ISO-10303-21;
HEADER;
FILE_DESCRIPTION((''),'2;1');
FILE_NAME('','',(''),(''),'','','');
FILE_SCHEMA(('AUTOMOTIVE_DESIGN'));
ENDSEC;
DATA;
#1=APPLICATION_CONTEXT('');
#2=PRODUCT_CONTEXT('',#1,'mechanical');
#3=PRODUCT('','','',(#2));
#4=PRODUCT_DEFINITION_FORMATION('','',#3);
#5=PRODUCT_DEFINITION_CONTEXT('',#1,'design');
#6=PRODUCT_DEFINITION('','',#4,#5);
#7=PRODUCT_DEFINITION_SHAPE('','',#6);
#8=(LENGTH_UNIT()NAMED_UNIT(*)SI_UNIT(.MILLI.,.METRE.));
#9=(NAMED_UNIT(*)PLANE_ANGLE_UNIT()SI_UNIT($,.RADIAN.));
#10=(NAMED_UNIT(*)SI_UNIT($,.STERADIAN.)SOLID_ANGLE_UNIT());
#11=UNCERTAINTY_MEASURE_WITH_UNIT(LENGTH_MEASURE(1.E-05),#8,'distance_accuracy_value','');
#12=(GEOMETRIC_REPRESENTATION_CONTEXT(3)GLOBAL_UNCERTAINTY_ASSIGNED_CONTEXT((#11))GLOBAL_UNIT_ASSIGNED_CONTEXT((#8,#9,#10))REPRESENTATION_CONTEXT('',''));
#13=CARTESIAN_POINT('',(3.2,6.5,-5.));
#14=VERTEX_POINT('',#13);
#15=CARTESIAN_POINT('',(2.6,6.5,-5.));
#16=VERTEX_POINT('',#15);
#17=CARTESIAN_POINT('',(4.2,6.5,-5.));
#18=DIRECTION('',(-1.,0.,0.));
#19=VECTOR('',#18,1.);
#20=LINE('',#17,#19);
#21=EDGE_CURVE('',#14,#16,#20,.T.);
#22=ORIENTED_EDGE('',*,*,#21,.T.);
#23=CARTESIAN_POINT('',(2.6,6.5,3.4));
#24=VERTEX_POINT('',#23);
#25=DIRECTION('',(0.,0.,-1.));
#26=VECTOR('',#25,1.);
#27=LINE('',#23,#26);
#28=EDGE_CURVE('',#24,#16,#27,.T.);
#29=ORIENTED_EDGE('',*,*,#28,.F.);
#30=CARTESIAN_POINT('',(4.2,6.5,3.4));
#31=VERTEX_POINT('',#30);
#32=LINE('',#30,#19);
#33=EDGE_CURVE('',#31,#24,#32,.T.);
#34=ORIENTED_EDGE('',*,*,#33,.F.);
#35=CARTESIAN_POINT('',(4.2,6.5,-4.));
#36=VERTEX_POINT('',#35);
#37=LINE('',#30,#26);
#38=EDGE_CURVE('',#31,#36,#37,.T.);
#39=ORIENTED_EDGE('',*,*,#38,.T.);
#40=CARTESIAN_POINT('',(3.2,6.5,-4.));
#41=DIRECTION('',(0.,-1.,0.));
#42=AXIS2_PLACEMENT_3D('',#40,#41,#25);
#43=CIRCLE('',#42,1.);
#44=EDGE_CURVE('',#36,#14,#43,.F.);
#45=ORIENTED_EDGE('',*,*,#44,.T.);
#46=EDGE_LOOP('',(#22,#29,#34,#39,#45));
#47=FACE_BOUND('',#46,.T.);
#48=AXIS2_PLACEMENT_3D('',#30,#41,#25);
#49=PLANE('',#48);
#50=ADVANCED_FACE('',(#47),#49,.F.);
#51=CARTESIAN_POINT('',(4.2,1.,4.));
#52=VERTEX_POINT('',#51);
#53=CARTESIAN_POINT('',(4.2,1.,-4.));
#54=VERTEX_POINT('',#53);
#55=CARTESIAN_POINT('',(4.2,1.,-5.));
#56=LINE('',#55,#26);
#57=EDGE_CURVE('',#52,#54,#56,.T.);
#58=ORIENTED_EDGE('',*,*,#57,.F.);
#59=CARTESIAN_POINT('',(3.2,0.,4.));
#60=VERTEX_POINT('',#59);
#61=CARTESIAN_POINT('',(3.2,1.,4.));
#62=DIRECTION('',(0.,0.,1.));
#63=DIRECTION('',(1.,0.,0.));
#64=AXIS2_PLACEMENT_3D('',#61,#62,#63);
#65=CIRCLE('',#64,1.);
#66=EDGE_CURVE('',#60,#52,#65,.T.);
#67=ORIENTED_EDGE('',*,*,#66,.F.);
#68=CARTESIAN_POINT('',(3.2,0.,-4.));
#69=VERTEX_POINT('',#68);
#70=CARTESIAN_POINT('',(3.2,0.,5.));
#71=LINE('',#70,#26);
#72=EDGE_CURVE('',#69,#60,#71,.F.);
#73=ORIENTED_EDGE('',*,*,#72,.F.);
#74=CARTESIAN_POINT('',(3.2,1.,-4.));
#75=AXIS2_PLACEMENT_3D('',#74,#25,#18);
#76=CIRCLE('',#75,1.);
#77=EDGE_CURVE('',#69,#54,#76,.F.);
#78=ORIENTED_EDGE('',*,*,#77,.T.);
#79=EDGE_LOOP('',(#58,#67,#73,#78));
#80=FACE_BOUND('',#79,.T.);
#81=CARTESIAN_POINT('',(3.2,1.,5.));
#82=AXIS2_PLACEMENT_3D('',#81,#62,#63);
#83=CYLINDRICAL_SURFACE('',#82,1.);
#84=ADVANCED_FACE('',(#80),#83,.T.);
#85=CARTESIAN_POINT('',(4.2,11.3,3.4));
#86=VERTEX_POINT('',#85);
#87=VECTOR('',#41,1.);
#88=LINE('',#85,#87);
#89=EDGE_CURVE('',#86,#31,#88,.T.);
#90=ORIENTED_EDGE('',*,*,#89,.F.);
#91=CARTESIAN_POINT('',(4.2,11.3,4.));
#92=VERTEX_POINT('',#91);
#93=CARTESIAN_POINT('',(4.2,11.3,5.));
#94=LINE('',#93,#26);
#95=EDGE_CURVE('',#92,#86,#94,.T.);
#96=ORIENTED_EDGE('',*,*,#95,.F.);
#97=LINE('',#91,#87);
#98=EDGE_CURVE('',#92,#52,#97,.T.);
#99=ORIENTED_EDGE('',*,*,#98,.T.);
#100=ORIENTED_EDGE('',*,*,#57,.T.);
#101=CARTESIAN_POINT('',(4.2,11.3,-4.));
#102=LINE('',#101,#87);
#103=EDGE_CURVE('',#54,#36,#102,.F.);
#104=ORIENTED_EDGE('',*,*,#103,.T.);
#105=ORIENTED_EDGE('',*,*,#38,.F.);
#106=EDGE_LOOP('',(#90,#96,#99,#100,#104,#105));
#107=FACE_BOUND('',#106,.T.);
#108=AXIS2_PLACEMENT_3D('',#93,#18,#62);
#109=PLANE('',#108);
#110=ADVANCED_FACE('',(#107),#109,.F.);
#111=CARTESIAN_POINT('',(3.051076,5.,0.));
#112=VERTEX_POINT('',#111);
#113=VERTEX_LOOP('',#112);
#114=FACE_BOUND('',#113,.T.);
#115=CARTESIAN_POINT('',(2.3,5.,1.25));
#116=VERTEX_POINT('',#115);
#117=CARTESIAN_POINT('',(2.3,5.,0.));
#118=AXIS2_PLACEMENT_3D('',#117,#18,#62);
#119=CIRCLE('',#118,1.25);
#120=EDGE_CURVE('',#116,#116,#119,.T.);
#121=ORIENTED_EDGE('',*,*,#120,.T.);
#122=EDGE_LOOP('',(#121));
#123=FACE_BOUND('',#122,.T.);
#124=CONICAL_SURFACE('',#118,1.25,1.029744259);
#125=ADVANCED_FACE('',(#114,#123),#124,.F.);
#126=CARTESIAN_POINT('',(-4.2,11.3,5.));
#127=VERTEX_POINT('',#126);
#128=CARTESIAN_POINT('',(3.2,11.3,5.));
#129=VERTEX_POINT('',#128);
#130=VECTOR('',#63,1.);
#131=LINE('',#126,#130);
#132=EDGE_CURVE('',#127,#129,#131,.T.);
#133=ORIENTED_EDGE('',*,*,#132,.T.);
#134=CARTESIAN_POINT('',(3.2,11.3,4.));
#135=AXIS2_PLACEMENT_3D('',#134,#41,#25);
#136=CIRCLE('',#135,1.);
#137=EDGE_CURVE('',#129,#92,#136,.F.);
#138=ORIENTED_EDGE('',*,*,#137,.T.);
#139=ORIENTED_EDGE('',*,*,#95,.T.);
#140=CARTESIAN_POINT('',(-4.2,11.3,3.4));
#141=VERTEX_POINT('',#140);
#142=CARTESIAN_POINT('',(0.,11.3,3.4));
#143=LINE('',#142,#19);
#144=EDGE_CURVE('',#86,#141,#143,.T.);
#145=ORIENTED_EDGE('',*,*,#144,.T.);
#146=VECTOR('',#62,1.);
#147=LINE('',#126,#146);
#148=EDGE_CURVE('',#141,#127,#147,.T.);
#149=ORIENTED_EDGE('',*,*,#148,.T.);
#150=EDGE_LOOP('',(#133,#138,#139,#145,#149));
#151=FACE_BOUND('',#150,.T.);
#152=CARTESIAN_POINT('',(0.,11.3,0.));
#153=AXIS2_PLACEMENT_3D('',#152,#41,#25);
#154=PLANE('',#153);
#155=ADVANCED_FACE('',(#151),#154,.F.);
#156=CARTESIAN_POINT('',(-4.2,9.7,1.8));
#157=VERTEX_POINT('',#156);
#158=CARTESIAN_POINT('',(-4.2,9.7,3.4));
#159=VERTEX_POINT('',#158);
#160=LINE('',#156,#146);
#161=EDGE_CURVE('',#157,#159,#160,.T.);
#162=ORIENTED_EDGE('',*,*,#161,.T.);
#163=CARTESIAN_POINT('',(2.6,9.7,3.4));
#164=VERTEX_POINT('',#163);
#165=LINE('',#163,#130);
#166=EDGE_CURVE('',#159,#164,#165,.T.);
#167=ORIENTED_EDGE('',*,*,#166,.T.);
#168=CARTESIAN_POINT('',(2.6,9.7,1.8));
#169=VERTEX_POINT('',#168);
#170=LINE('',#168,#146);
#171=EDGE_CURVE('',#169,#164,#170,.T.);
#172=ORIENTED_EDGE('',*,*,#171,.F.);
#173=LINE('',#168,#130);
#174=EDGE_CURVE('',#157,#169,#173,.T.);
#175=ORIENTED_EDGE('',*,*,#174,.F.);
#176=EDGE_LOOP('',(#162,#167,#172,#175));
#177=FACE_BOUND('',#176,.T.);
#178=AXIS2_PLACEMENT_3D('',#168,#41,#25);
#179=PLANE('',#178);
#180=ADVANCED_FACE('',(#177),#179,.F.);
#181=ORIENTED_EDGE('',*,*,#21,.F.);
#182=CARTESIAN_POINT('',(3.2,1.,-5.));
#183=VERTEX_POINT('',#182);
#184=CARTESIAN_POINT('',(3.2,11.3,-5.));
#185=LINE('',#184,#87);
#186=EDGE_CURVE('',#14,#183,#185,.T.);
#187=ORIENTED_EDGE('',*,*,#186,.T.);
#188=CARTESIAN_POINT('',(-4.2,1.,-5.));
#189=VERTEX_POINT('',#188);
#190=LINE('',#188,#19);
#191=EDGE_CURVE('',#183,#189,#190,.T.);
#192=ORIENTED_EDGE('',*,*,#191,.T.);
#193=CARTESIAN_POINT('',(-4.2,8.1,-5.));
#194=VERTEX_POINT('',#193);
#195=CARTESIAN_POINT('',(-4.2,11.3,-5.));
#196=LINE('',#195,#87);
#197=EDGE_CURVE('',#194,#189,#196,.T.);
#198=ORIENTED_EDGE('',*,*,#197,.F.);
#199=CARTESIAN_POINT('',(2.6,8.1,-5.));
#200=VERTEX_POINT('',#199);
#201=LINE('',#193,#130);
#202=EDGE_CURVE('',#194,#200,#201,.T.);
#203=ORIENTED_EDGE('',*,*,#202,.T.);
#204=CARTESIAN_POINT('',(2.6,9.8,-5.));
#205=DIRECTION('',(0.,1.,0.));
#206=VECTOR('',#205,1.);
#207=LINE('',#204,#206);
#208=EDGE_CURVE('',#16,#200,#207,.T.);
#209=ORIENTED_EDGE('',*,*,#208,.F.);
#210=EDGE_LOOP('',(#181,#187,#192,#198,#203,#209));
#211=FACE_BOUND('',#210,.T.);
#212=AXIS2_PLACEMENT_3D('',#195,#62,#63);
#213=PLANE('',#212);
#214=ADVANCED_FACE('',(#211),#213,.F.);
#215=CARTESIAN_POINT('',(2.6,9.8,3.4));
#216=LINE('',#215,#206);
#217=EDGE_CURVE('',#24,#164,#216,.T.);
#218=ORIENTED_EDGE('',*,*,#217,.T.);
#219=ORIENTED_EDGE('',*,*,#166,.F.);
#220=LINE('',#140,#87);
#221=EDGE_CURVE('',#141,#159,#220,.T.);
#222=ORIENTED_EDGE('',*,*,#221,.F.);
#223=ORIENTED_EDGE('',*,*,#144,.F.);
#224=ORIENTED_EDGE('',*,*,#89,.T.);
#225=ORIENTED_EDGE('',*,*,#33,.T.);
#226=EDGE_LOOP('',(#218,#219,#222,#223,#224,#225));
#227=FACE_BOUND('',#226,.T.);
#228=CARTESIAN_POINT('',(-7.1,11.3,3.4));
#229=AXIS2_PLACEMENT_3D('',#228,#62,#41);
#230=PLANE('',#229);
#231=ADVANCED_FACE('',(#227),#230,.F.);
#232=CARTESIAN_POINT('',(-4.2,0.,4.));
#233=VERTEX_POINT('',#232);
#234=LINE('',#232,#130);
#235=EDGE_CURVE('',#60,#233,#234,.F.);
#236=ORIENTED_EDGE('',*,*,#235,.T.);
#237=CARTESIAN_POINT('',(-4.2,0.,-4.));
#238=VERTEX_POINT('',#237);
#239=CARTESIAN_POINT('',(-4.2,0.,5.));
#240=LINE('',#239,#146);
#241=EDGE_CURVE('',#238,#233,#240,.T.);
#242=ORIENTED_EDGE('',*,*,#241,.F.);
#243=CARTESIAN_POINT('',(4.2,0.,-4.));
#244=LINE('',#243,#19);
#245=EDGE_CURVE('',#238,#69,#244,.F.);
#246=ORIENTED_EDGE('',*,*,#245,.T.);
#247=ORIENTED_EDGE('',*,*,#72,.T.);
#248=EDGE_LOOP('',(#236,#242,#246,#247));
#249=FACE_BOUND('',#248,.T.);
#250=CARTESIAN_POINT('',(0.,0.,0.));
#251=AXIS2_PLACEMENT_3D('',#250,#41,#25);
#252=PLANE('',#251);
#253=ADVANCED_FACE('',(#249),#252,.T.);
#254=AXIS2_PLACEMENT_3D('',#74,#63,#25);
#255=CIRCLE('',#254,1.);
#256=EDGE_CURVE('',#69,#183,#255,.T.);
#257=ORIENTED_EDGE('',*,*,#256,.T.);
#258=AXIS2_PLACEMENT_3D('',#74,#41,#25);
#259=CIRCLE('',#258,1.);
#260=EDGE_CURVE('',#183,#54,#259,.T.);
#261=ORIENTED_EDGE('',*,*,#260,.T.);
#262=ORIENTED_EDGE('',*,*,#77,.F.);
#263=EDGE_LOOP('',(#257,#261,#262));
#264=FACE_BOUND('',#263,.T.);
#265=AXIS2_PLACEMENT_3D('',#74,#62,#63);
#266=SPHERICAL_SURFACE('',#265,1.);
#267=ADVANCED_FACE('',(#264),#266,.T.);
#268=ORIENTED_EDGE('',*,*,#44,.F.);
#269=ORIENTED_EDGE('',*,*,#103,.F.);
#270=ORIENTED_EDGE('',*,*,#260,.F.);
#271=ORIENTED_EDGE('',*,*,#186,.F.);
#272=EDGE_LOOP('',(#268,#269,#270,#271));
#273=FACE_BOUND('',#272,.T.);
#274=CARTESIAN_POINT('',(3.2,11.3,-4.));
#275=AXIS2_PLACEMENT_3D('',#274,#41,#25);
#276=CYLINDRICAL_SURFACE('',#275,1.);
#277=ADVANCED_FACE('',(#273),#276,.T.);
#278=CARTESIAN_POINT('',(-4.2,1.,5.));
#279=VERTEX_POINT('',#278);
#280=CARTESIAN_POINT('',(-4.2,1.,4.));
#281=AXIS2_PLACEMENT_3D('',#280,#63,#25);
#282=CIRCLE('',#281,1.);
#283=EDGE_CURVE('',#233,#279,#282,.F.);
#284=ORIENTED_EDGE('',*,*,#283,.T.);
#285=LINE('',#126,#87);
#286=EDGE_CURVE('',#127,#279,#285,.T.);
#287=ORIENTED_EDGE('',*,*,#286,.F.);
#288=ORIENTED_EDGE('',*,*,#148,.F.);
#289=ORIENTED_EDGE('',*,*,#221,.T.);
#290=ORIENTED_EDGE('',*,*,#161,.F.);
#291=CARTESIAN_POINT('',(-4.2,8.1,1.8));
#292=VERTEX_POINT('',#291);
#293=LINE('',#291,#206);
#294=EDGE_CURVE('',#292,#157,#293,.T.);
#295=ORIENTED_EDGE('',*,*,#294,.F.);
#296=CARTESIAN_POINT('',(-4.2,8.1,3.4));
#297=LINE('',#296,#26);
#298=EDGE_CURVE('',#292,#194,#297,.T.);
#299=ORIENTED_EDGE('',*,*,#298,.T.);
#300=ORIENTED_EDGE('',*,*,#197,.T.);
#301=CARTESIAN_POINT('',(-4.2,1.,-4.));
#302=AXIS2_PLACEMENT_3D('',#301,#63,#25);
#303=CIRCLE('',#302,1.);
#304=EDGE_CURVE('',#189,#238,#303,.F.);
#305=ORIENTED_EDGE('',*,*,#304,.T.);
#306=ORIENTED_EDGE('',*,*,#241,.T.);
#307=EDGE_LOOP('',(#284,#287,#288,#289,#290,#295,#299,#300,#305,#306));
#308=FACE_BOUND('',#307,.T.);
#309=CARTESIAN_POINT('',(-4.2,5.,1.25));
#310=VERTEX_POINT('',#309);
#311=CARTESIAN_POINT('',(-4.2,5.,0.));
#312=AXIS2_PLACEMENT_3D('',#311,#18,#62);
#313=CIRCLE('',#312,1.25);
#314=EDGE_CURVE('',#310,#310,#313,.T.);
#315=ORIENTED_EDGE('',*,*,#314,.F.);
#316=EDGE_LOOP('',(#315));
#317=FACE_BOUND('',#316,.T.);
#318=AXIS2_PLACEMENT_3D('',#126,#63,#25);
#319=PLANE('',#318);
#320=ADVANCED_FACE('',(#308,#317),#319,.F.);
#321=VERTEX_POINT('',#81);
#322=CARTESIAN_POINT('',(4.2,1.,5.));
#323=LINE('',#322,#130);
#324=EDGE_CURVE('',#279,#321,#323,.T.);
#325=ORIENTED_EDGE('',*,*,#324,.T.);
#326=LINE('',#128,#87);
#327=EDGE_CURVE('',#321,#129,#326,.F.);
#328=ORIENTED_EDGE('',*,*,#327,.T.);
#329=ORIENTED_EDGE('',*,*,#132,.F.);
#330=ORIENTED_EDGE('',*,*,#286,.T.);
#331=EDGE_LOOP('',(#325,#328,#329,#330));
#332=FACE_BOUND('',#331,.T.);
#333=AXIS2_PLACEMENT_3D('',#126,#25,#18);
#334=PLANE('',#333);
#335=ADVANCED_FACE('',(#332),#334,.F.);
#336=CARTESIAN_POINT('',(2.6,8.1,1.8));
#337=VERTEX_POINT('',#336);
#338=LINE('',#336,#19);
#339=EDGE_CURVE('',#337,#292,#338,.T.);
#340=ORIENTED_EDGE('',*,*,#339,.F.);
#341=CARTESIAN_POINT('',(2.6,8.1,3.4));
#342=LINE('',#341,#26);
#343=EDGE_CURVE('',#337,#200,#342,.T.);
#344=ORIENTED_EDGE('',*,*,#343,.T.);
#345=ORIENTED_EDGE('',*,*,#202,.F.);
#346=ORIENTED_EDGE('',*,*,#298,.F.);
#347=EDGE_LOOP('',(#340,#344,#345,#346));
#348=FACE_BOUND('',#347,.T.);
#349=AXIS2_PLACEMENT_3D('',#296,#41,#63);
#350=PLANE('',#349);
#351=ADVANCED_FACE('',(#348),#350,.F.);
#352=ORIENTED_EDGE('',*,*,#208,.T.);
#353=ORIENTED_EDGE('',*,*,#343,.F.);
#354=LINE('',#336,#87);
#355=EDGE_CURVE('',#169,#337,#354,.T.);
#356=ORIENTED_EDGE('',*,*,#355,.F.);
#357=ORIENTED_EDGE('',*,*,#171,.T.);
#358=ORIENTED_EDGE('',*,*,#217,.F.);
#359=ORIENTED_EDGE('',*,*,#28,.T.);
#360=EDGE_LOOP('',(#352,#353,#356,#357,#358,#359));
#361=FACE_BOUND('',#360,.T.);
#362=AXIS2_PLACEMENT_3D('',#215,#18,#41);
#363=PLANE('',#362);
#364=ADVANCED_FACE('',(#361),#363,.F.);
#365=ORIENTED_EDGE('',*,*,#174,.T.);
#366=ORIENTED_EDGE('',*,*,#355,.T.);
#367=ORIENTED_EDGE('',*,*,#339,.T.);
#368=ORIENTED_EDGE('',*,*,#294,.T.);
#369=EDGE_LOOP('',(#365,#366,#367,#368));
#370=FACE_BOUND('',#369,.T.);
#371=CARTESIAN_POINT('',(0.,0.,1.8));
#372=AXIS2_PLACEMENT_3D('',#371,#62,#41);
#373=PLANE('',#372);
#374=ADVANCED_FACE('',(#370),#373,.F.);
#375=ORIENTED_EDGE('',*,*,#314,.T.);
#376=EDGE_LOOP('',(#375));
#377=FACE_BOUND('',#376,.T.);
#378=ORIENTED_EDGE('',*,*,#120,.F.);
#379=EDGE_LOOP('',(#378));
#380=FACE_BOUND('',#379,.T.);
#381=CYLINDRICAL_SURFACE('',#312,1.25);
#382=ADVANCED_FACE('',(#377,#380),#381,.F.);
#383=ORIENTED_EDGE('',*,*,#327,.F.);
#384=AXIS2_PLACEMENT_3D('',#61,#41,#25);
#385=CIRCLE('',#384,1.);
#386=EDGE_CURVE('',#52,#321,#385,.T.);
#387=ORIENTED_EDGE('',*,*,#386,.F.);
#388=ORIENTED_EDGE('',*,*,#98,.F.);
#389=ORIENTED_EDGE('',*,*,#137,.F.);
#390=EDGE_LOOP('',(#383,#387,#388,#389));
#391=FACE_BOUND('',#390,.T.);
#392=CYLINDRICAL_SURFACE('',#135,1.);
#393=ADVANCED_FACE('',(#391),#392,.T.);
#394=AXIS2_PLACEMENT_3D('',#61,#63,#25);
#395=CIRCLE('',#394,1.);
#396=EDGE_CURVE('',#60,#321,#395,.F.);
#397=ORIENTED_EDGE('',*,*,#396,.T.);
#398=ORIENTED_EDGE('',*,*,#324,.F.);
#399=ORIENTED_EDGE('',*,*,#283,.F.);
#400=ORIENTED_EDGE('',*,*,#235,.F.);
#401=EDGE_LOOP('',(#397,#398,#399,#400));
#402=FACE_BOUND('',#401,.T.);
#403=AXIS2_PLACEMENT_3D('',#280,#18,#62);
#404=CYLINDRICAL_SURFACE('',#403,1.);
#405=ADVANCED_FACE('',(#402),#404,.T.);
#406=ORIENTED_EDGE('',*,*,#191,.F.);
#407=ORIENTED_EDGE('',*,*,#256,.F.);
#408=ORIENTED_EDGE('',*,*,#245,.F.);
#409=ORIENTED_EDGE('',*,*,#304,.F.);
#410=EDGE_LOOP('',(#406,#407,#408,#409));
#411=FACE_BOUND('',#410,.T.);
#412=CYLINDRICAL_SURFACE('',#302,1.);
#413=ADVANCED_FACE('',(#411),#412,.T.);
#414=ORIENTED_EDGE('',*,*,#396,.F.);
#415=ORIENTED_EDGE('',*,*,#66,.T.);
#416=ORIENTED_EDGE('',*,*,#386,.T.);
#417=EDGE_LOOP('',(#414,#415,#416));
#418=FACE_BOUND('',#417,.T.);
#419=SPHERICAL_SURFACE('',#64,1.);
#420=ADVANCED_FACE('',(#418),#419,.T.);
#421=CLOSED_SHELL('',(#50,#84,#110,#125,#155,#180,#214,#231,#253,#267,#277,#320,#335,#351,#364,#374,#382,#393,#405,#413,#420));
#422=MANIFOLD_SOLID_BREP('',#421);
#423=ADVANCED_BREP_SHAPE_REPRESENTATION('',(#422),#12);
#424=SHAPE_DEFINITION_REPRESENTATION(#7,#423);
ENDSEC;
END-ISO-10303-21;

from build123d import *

# Parameters (mm, degrees)
SKETCH2_W                 = 8.4
SKETCH2_H                 = 10
BOSS_EXTRUDE1_DEPTH       = 11.3
SKETCH5_W                 = 8.4
SKETCH5_H                 = 1.5
CUT_EXTRUDE2_DEPTH        = 11.3
SKETCH7_W                 = 1.6
SKETCH7_H                 = 3.3
CUT_EXTRUDE4_DEPTH        = 8.4
SKETCH9_W                 = 8.4
SKETCH9_H                 = 1.7
CUT_EXTRUDE5_DEPTH        = 6.8
SKETCH12_W                = 6.8
SKETCH12_H                = 1.6
BOSS_EXTRUDE3_DEPTH       = 1.6
FILLET1_R                 = 1
M3X0_5_TAPPED_HOLE2_D     = 2.5
M3X0_5_TAPPED_HOLE2_DEPTH = 6.5
M3X0_5_TAPPED_HOLE2_TIP   = 0.751075774


with BuildPart() as part:
    # Sketch2 → Boss-Extrude1 (new body)
    with BuildSketch(Plane(origin=(0, 0, 0), x_dir=(1, 0, 0), z_dir=(0, 1, 0))):
        Rectangle(SKETCH2_W, SKETCH2_H)
    extrude(amount=BOSS_EXTRUDE1_DEPTH)

    # Sketch5 → Cut-Extrude2 (cut)
    with BuildSketch(Plane(origin=(4.2, 0, 0), x_dir=(0, 0, -1), z_dir=(1, 0, 0))):
        with Locations((0.8, 10.55)):
            Rectangle(SKETCH5_W, SKETCH5_H)
    extrude(amount=-CUT_EXTRUDE2_DEPTH, mode=Mode.SUBTRACT)

    # Sketch7 → Cut-Extrude4 (cut)
    with BuildSketch(Plane(origin=(0, 0, -5), x_dir=(-1, 0, 0), z_dir=(0, 0, -1))):
        with Locations((-3.4, 8.15)):
            Rectangle(SKETCH7_W, SKETCH7_H)
    extrude(amount=-CUT_EXTRUDE4_DEPTH, mode=Mode.SUBTRACT)

    # Sketch9 → Cut-Extrude5 (cut)
    with BuildSketch(Plane(origin=(2.6, 0, 0), x_dir=(0, 0, -1), z_dir=(1, 0, 0))):
        with Locations((0.8, 8.95)):
            Rectangle(SKETCH9_W, SKETCH9_H)
    extrude(amount=-CUT_EXTRUDE5_DEPTH, mode=Mode.SUBTRACT)

    # Sketch12 → Boss-Extrude3 (add)
    with BuildSketch(Plane(origin=(0, 0, 3.4), x_dir=(-1, 0, 0), z_dir=(0, 0, -1))):
        with Locations((0.8, 8.9)):
            Rectangle(SKETCH12_W, SKETCH12_H)
    extrude(amount=BOSS_EXTRUDE3_DEPTH)

    # Fillet1
    fillet1_edges = [part.edges().sort_by_distance(p)[0] for p in [
        (4.2, 3.25, -5),
        (0, 0, 5),
        (0, 0, -5),
        (4.2, 0, 0),
        (4.2, 5.65, 5),
    ]]
    fillet(fillet1_edges, radius=FILLET1_R)

    # M3x0.5 Tapped Hole2
    with Locations(Plane.ZY.offset(4.2)):
        with Locations((0, 5)):
            Hole(M3X0_5_TAPPED_HOLE2_D / 2, depth=M3X0_5_TAPPED_HOLE2_DEPTH)
            with Locations((0, 0, -(M3X0_5_TAPPED_HOLE2_DEPTH + M3X0_5_TAPPED_HOLE2_TIP / 2))):  # 118° drill point
                Cone(0, M3X0_5_TAPPED_HOLE2_D / 2, M3X0_5_TAPPED_HOLE2_TIP, mode=Mode.SUBTRACT)


solid = part.part
